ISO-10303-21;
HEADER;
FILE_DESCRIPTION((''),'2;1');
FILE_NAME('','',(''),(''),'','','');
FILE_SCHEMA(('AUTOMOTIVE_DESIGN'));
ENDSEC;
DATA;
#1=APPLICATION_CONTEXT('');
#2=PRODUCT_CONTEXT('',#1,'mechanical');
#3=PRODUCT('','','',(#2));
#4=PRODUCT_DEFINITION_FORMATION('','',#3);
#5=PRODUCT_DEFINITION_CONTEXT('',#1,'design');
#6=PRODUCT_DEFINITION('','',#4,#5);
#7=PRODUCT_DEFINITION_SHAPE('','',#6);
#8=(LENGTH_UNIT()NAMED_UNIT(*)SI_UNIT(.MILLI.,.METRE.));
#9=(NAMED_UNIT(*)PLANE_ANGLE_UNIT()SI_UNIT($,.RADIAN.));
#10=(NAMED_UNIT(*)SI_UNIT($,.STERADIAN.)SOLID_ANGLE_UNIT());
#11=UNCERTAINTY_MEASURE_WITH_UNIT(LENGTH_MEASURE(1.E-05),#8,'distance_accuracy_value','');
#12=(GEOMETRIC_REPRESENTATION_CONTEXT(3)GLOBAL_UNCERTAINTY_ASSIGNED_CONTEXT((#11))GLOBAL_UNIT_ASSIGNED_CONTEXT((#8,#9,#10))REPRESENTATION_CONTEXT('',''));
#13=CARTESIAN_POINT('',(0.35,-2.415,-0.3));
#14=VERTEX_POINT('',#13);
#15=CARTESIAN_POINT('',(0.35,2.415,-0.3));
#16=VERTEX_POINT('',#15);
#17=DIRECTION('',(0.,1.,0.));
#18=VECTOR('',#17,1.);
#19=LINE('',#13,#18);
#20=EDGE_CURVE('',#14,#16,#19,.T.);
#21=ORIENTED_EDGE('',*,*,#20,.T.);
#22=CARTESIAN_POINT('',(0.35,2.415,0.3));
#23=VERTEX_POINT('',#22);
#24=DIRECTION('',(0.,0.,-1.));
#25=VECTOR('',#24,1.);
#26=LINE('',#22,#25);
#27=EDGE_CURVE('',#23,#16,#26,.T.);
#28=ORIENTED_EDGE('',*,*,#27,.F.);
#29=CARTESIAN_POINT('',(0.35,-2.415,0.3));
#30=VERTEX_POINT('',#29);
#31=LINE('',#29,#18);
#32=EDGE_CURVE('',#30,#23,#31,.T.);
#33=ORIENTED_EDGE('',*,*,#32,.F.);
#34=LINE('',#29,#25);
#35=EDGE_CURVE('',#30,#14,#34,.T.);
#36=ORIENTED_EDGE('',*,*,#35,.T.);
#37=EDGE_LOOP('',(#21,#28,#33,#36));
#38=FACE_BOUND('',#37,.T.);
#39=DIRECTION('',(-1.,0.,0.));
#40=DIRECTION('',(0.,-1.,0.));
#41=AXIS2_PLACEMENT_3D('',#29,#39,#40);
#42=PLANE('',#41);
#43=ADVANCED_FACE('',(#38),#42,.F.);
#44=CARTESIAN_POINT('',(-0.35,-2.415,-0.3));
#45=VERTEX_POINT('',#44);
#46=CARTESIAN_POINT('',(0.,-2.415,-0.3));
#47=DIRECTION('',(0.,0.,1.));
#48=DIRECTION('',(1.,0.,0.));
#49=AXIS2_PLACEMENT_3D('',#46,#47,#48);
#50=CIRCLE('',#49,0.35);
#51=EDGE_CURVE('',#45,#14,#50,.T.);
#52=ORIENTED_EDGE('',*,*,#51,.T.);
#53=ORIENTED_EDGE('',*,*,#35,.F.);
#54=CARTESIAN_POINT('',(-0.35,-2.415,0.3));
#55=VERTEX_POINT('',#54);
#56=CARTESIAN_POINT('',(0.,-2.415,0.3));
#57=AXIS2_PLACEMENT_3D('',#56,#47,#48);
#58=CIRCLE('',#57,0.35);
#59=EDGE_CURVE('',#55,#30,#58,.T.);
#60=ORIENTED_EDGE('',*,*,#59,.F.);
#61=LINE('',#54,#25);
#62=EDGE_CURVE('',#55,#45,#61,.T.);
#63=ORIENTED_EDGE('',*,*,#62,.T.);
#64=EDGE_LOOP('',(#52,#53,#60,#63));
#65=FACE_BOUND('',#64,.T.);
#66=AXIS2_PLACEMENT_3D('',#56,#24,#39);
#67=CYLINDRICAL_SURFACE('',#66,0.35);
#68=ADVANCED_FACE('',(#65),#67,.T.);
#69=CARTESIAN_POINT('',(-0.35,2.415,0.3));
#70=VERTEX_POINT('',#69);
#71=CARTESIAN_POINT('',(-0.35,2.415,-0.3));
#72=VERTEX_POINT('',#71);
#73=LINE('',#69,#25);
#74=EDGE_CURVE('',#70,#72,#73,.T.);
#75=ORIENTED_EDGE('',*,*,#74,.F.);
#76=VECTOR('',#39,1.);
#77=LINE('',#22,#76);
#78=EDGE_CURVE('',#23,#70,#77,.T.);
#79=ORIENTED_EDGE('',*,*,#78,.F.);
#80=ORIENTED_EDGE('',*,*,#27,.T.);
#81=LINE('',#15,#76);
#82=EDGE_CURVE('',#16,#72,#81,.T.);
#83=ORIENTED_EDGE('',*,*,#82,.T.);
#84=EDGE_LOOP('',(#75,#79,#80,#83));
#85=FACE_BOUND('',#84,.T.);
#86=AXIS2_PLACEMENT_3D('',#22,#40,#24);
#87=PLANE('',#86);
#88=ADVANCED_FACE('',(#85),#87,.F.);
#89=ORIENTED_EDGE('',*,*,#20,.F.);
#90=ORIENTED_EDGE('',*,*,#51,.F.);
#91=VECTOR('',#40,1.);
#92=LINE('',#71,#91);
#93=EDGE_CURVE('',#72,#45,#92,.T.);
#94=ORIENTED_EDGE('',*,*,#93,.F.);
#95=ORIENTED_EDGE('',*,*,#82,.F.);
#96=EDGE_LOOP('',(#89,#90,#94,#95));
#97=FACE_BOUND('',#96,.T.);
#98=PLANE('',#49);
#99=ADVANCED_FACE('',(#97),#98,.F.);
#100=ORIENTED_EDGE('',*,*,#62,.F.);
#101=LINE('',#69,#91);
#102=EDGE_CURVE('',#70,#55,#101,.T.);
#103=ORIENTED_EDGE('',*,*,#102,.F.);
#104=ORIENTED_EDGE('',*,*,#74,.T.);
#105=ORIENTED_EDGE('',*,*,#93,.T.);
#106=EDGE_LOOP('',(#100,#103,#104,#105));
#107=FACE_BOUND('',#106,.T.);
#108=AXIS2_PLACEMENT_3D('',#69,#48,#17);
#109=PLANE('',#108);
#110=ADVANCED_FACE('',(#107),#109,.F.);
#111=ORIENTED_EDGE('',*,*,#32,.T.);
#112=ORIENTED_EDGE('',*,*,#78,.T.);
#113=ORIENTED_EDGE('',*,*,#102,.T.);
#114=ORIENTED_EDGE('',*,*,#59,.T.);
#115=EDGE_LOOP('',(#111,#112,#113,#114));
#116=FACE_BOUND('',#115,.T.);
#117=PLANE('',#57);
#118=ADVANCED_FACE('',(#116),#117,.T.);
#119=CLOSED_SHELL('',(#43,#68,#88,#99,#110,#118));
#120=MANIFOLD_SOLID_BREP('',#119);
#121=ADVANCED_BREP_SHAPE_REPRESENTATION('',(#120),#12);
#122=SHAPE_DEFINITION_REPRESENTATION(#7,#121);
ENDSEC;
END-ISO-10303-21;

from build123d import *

# Parameters (mm, degrees)
RESSALTO_EXTRUS_O1_DEPTH = 0.3


with BuildPart() as part:
    # Esboço1 → Ressalto-extrusão1 (new, symmetric)
    with BuildSketch(Plane.XY):
        with BuildLine():
            Line((-0.35, 2.415), (-0.35, -2.415))
            ThreePointArc((-0.35, -2.415), (0, -2.765), (0.35, -2.415))
            Line((0.35, -2.415), (0.35, 2.415))
            Line((0.35, 2.415), (-0.35, 2.415))
        make_face()
    extrude(amount=RESSALTO_EXTRUS_O1_DEPTH, both=True)


solid = part.part
